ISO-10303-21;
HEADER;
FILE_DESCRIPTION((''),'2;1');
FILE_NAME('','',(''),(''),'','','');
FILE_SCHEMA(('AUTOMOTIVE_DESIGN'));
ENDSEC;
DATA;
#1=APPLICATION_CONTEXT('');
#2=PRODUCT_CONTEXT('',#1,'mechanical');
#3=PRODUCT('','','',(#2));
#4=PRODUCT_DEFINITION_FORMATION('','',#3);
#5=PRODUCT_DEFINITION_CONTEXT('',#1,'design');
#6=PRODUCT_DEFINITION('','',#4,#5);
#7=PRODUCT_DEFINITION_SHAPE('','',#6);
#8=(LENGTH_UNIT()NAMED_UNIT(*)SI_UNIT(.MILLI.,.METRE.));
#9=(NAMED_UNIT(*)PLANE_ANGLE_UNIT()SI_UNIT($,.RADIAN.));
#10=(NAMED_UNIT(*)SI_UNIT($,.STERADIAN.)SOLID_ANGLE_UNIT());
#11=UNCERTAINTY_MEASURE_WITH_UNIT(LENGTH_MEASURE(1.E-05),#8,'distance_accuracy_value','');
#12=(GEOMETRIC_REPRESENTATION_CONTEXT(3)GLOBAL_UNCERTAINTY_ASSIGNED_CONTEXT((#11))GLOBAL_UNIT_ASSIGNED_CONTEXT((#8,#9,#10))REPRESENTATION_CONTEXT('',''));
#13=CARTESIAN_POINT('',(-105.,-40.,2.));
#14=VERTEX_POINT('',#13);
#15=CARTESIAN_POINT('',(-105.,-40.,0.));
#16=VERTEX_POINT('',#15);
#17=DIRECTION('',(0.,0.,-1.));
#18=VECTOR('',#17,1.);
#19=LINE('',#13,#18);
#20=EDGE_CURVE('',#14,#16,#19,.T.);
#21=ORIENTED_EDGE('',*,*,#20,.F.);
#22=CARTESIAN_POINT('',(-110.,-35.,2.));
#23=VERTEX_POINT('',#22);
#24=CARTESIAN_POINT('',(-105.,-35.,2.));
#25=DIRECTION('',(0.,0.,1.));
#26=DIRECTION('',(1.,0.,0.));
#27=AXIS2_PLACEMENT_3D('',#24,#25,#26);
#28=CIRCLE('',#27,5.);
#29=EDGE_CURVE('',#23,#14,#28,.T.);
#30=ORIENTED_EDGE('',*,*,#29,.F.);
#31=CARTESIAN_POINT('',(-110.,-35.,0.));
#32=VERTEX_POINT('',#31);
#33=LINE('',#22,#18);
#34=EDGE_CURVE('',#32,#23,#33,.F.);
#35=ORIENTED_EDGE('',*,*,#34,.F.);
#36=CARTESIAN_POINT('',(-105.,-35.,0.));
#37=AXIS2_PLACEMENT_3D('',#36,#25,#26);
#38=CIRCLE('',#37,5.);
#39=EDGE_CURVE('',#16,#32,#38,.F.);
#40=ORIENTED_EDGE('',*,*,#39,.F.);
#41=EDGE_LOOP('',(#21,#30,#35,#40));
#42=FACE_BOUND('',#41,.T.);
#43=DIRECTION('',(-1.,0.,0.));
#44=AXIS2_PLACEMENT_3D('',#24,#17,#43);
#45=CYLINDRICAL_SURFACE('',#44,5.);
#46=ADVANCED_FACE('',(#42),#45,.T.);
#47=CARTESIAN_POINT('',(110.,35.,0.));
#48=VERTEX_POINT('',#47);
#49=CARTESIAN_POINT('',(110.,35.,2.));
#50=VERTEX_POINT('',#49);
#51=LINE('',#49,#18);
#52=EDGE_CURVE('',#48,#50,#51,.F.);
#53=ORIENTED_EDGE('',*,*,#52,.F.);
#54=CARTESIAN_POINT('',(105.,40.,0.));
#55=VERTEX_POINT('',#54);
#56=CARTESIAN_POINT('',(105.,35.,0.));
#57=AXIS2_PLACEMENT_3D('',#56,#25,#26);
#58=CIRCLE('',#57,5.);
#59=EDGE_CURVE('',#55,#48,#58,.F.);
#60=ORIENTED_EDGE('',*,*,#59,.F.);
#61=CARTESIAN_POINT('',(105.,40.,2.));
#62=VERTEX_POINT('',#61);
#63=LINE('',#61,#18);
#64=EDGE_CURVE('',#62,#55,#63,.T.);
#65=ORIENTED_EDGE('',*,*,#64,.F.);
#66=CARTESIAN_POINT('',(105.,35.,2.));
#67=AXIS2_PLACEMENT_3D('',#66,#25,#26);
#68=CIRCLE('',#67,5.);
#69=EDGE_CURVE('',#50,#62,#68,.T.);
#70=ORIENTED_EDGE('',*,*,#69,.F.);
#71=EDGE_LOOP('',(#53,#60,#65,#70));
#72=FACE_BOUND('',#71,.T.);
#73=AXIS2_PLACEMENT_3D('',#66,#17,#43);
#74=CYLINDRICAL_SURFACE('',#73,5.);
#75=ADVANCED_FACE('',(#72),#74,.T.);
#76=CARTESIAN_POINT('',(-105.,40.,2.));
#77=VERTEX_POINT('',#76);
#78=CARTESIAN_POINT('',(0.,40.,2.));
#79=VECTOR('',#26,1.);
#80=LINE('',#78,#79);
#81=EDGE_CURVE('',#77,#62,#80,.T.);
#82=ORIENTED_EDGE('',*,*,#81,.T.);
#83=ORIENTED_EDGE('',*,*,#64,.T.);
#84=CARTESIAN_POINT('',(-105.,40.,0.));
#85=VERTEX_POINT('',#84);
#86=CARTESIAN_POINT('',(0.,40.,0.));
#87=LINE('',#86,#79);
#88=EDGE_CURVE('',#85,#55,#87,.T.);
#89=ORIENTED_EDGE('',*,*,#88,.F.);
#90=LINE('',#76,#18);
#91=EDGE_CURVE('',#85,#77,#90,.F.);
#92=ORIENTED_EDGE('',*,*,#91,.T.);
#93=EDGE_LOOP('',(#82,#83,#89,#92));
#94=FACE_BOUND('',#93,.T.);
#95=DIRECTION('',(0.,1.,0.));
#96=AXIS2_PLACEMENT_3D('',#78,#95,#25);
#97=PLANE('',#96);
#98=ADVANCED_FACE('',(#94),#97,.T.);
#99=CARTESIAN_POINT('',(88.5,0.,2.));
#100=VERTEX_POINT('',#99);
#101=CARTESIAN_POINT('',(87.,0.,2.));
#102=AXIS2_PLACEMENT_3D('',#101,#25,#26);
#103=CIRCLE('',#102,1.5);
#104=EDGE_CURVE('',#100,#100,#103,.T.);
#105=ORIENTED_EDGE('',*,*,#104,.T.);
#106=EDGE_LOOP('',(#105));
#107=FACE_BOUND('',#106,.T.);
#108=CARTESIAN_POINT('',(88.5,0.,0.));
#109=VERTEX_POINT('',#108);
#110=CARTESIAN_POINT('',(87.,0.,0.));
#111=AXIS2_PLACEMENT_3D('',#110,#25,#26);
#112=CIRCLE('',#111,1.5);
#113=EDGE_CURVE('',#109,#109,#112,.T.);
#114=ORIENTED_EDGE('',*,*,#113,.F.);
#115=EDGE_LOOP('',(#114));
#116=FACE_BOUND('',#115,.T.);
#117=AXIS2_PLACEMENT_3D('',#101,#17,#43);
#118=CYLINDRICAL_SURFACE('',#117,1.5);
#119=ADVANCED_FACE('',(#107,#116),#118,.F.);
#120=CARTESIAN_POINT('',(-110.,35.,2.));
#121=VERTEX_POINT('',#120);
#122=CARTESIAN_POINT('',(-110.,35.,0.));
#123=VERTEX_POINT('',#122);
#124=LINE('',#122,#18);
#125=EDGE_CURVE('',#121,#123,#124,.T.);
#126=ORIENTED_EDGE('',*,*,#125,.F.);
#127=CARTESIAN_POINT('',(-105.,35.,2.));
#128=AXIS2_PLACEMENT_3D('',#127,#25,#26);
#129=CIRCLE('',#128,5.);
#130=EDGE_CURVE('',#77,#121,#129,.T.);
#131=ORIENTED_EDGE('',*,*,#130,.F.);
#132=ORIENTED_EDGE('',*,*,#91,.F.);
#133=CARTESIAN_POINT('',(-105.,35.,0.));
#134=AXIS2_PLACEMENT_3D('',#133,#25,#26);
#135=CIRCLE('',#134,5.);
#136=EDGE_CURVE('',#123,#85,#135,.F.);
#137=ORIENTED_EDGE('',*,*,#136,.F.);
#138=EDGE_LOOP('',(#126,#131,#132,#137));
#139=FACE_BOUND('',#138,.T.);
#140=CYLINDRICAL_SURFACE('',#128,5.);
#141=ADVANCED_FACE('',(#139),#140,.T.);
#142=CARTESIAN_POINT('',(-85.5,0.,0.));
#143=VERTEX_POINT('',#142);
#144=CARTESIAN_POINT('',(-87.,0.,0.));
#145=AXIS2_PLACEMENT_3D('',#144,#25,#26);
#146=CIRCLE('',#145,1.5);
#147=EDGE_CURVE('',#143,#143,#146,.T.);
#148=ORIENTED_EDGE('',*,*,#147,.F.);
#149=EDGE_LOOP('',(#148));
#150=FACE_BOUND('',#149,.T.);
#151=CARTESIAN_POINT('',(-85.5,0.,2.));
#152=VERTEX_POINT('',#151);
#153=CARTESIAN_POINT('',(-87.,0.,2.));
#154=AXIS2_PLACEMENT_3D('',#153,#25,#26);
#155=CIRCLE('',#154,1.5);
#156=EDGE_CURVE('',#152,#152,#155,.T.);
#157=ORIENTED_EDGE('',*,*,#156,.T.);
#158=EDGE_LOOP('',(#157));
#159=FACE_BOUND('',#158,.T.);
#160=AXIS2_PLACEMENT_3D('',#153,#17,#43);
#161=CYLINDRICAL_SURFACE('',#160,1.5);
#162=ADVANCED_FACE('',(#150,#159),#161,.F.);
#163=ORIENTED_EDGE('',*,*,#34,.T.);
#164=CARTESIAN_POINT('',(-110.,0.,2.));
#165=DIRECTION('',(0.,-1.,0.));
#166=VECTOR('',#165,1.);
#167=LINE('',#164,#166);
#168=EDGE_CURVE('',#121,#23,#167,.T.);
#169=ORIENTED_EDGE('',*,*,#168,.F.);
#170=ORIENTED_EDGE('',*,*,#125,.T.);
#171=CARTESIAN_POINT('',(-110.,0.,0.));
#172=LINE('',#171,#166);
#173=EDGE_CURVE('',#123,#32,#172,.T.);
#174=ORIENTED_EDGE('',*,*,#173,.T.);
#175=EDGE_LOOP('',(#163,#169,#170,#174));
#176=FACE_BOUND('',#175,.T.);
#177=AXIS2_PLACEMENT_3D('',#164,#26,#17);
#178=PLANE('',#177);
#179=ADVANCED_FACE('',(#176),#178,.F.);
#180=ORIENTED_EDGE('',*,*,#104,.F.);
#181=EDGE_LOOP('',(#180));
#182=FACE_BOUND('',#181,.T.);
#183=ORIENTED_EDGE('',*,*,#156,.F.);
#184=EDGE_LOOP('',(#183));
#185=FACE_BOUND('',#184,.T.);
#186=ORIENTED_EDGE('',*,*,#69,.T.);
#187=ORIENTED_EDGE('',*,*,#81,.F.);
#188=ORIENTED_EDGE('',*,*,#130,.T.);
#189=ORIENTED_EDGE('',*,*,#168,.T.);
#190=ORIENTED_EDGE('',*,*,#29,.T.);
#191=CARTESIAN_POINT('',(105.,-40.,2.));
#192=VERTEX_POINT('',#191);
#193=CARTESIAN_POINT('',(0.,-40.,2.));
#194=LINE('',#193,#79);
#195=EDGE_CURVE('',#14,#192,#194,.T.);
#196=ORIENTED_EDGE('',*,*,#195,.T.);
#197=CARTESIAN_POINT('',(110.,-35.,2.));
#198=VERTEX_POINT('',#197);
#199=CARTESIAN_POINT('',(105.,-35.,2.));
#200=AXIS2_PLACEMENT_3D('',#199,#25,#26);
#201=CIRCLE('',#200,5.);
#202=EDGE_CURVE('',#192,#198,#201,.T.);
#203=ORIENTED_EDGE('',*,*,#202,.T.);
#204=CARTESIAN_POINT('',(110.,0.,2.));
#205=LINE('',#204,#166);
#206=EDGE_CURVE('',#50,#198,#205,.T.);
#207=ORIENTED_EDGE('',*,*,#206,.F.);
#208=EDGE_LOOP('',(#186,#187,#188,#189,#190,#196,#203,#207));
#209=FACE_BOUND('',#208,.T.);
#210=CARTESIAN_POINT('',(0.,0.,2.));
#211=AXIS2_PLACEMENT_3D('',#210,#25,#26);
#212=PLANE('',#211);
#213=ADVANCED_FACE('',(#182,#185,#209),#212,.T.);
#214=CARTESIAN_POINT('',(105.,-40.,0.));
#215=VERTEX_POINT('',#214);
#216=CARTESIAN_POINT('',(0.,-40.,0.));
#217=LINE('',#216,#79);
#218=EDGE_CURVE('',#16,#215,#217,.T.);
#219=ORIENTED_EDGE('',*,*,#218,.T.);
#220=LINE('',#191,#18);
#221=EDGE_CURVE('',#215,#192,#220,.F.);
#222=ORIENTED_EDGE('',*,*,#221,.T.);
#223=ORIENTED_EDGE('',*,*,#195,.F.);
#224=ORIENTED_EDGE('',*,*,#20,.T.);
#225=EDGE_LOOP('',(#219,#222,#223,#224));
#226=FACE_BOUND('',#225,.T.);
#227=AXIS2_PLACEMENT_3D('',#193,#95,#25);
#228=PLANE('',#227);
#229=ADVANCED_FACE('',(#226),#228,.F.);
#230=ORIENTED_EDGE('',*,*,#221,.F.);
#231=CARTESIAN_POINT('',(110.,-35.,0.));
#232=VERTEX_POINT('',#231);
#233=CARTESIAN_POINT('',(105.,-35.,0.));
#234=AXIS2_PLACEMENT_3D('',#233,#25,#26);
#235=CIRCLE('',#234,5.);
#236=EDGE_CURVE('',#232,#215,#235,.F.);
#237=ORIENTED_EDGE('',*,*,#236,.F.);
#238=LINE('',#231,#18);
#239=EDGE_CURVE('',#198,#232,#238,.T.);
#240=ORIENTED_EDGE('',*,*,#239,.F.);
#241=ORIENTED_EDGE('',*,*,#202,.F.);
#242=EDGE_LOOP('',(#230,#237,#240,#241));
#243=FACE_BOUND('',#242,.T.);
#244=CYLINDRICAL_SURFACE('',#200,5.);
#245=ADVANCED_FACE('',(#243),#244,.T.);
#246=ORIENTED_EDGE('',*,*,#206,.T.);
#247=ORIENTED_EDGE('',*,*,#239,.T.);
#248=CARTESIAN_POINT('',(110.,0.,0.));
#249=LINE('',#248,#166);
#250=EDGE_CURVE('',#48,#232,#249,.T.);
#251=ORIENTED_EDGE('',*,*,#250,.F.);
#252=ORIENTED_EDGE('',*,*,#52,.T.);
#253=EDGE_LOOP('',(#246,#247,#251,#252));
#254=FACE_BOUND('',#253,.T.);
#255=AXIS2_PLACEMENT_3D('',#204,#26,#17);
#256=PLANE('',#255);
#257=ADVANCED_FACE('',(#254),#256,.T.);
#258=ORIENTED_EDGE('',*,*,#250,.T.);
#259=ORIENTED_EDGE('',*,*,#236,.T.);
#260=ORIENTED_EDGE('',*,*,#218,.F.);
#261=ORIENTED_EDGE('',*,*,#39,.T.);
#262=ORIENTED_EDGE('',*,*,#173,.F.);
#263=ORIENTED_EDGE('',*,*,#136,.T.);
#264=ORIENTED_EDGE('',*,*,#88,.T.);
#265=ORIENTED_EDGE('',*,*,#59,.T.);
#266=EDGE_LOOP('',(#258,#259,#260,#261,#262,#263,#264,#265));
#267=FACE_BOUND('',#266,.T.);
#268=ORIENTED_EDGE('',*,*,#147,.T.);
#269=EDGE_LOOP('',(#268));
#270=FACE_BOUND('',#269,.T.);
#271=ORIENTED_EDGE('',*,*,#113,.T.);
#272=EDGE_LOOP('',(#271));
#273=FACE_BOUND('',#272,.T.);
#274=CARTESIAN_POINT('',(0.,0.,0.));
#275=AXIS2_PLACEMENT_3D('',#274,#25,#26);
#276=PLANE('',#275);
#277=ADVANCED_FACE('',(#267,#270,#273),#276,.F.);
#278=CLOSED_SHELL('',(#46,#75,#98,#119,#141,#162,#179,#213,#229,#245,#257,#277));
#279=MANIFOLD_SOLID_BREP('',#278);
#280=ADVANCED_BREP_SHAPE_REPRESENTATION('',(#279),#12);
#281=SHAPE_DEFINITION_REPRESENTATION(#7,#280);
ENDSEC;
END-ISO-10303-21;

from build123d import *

# Parameters (mm, degrees)
SKETCH_1_W      = 220
SKETCH_1_H      = 80
SKETCH_1_R      = 1.5
EXTRUDE_1_DEPTH = 2
FILLET_1_R      = 5


with BuildPart() as part:
    # 草图1 → 凸台-拉伸1 (new body)
    with BuildSketch(Plane.XY):
        Rectangle(SKETCH_1_W, SKETCH_1_H)
        with Locations((87, 0)):
            Circle(SKETCH_1_R, mode=Mode.SUBTRACT)
        with Locations((-87, 0)):
            Circle(SKETCH_1_R, mode=Mode.SUBTRACT)
    extrude(amount=EXTRUDE_1_DEPTH)

    # 圆角1
    fillet_1_edges = [part.edges().sort_by_distance(p)[0] for p in [
        (110, -40, 1),
        (-110, -40, 1),
        (-110, 40, 1),
        (110, 40, 1),
    ]]
    fillet(fillet_1_edges, radius=FILLET_1_R)


solid = part.part
